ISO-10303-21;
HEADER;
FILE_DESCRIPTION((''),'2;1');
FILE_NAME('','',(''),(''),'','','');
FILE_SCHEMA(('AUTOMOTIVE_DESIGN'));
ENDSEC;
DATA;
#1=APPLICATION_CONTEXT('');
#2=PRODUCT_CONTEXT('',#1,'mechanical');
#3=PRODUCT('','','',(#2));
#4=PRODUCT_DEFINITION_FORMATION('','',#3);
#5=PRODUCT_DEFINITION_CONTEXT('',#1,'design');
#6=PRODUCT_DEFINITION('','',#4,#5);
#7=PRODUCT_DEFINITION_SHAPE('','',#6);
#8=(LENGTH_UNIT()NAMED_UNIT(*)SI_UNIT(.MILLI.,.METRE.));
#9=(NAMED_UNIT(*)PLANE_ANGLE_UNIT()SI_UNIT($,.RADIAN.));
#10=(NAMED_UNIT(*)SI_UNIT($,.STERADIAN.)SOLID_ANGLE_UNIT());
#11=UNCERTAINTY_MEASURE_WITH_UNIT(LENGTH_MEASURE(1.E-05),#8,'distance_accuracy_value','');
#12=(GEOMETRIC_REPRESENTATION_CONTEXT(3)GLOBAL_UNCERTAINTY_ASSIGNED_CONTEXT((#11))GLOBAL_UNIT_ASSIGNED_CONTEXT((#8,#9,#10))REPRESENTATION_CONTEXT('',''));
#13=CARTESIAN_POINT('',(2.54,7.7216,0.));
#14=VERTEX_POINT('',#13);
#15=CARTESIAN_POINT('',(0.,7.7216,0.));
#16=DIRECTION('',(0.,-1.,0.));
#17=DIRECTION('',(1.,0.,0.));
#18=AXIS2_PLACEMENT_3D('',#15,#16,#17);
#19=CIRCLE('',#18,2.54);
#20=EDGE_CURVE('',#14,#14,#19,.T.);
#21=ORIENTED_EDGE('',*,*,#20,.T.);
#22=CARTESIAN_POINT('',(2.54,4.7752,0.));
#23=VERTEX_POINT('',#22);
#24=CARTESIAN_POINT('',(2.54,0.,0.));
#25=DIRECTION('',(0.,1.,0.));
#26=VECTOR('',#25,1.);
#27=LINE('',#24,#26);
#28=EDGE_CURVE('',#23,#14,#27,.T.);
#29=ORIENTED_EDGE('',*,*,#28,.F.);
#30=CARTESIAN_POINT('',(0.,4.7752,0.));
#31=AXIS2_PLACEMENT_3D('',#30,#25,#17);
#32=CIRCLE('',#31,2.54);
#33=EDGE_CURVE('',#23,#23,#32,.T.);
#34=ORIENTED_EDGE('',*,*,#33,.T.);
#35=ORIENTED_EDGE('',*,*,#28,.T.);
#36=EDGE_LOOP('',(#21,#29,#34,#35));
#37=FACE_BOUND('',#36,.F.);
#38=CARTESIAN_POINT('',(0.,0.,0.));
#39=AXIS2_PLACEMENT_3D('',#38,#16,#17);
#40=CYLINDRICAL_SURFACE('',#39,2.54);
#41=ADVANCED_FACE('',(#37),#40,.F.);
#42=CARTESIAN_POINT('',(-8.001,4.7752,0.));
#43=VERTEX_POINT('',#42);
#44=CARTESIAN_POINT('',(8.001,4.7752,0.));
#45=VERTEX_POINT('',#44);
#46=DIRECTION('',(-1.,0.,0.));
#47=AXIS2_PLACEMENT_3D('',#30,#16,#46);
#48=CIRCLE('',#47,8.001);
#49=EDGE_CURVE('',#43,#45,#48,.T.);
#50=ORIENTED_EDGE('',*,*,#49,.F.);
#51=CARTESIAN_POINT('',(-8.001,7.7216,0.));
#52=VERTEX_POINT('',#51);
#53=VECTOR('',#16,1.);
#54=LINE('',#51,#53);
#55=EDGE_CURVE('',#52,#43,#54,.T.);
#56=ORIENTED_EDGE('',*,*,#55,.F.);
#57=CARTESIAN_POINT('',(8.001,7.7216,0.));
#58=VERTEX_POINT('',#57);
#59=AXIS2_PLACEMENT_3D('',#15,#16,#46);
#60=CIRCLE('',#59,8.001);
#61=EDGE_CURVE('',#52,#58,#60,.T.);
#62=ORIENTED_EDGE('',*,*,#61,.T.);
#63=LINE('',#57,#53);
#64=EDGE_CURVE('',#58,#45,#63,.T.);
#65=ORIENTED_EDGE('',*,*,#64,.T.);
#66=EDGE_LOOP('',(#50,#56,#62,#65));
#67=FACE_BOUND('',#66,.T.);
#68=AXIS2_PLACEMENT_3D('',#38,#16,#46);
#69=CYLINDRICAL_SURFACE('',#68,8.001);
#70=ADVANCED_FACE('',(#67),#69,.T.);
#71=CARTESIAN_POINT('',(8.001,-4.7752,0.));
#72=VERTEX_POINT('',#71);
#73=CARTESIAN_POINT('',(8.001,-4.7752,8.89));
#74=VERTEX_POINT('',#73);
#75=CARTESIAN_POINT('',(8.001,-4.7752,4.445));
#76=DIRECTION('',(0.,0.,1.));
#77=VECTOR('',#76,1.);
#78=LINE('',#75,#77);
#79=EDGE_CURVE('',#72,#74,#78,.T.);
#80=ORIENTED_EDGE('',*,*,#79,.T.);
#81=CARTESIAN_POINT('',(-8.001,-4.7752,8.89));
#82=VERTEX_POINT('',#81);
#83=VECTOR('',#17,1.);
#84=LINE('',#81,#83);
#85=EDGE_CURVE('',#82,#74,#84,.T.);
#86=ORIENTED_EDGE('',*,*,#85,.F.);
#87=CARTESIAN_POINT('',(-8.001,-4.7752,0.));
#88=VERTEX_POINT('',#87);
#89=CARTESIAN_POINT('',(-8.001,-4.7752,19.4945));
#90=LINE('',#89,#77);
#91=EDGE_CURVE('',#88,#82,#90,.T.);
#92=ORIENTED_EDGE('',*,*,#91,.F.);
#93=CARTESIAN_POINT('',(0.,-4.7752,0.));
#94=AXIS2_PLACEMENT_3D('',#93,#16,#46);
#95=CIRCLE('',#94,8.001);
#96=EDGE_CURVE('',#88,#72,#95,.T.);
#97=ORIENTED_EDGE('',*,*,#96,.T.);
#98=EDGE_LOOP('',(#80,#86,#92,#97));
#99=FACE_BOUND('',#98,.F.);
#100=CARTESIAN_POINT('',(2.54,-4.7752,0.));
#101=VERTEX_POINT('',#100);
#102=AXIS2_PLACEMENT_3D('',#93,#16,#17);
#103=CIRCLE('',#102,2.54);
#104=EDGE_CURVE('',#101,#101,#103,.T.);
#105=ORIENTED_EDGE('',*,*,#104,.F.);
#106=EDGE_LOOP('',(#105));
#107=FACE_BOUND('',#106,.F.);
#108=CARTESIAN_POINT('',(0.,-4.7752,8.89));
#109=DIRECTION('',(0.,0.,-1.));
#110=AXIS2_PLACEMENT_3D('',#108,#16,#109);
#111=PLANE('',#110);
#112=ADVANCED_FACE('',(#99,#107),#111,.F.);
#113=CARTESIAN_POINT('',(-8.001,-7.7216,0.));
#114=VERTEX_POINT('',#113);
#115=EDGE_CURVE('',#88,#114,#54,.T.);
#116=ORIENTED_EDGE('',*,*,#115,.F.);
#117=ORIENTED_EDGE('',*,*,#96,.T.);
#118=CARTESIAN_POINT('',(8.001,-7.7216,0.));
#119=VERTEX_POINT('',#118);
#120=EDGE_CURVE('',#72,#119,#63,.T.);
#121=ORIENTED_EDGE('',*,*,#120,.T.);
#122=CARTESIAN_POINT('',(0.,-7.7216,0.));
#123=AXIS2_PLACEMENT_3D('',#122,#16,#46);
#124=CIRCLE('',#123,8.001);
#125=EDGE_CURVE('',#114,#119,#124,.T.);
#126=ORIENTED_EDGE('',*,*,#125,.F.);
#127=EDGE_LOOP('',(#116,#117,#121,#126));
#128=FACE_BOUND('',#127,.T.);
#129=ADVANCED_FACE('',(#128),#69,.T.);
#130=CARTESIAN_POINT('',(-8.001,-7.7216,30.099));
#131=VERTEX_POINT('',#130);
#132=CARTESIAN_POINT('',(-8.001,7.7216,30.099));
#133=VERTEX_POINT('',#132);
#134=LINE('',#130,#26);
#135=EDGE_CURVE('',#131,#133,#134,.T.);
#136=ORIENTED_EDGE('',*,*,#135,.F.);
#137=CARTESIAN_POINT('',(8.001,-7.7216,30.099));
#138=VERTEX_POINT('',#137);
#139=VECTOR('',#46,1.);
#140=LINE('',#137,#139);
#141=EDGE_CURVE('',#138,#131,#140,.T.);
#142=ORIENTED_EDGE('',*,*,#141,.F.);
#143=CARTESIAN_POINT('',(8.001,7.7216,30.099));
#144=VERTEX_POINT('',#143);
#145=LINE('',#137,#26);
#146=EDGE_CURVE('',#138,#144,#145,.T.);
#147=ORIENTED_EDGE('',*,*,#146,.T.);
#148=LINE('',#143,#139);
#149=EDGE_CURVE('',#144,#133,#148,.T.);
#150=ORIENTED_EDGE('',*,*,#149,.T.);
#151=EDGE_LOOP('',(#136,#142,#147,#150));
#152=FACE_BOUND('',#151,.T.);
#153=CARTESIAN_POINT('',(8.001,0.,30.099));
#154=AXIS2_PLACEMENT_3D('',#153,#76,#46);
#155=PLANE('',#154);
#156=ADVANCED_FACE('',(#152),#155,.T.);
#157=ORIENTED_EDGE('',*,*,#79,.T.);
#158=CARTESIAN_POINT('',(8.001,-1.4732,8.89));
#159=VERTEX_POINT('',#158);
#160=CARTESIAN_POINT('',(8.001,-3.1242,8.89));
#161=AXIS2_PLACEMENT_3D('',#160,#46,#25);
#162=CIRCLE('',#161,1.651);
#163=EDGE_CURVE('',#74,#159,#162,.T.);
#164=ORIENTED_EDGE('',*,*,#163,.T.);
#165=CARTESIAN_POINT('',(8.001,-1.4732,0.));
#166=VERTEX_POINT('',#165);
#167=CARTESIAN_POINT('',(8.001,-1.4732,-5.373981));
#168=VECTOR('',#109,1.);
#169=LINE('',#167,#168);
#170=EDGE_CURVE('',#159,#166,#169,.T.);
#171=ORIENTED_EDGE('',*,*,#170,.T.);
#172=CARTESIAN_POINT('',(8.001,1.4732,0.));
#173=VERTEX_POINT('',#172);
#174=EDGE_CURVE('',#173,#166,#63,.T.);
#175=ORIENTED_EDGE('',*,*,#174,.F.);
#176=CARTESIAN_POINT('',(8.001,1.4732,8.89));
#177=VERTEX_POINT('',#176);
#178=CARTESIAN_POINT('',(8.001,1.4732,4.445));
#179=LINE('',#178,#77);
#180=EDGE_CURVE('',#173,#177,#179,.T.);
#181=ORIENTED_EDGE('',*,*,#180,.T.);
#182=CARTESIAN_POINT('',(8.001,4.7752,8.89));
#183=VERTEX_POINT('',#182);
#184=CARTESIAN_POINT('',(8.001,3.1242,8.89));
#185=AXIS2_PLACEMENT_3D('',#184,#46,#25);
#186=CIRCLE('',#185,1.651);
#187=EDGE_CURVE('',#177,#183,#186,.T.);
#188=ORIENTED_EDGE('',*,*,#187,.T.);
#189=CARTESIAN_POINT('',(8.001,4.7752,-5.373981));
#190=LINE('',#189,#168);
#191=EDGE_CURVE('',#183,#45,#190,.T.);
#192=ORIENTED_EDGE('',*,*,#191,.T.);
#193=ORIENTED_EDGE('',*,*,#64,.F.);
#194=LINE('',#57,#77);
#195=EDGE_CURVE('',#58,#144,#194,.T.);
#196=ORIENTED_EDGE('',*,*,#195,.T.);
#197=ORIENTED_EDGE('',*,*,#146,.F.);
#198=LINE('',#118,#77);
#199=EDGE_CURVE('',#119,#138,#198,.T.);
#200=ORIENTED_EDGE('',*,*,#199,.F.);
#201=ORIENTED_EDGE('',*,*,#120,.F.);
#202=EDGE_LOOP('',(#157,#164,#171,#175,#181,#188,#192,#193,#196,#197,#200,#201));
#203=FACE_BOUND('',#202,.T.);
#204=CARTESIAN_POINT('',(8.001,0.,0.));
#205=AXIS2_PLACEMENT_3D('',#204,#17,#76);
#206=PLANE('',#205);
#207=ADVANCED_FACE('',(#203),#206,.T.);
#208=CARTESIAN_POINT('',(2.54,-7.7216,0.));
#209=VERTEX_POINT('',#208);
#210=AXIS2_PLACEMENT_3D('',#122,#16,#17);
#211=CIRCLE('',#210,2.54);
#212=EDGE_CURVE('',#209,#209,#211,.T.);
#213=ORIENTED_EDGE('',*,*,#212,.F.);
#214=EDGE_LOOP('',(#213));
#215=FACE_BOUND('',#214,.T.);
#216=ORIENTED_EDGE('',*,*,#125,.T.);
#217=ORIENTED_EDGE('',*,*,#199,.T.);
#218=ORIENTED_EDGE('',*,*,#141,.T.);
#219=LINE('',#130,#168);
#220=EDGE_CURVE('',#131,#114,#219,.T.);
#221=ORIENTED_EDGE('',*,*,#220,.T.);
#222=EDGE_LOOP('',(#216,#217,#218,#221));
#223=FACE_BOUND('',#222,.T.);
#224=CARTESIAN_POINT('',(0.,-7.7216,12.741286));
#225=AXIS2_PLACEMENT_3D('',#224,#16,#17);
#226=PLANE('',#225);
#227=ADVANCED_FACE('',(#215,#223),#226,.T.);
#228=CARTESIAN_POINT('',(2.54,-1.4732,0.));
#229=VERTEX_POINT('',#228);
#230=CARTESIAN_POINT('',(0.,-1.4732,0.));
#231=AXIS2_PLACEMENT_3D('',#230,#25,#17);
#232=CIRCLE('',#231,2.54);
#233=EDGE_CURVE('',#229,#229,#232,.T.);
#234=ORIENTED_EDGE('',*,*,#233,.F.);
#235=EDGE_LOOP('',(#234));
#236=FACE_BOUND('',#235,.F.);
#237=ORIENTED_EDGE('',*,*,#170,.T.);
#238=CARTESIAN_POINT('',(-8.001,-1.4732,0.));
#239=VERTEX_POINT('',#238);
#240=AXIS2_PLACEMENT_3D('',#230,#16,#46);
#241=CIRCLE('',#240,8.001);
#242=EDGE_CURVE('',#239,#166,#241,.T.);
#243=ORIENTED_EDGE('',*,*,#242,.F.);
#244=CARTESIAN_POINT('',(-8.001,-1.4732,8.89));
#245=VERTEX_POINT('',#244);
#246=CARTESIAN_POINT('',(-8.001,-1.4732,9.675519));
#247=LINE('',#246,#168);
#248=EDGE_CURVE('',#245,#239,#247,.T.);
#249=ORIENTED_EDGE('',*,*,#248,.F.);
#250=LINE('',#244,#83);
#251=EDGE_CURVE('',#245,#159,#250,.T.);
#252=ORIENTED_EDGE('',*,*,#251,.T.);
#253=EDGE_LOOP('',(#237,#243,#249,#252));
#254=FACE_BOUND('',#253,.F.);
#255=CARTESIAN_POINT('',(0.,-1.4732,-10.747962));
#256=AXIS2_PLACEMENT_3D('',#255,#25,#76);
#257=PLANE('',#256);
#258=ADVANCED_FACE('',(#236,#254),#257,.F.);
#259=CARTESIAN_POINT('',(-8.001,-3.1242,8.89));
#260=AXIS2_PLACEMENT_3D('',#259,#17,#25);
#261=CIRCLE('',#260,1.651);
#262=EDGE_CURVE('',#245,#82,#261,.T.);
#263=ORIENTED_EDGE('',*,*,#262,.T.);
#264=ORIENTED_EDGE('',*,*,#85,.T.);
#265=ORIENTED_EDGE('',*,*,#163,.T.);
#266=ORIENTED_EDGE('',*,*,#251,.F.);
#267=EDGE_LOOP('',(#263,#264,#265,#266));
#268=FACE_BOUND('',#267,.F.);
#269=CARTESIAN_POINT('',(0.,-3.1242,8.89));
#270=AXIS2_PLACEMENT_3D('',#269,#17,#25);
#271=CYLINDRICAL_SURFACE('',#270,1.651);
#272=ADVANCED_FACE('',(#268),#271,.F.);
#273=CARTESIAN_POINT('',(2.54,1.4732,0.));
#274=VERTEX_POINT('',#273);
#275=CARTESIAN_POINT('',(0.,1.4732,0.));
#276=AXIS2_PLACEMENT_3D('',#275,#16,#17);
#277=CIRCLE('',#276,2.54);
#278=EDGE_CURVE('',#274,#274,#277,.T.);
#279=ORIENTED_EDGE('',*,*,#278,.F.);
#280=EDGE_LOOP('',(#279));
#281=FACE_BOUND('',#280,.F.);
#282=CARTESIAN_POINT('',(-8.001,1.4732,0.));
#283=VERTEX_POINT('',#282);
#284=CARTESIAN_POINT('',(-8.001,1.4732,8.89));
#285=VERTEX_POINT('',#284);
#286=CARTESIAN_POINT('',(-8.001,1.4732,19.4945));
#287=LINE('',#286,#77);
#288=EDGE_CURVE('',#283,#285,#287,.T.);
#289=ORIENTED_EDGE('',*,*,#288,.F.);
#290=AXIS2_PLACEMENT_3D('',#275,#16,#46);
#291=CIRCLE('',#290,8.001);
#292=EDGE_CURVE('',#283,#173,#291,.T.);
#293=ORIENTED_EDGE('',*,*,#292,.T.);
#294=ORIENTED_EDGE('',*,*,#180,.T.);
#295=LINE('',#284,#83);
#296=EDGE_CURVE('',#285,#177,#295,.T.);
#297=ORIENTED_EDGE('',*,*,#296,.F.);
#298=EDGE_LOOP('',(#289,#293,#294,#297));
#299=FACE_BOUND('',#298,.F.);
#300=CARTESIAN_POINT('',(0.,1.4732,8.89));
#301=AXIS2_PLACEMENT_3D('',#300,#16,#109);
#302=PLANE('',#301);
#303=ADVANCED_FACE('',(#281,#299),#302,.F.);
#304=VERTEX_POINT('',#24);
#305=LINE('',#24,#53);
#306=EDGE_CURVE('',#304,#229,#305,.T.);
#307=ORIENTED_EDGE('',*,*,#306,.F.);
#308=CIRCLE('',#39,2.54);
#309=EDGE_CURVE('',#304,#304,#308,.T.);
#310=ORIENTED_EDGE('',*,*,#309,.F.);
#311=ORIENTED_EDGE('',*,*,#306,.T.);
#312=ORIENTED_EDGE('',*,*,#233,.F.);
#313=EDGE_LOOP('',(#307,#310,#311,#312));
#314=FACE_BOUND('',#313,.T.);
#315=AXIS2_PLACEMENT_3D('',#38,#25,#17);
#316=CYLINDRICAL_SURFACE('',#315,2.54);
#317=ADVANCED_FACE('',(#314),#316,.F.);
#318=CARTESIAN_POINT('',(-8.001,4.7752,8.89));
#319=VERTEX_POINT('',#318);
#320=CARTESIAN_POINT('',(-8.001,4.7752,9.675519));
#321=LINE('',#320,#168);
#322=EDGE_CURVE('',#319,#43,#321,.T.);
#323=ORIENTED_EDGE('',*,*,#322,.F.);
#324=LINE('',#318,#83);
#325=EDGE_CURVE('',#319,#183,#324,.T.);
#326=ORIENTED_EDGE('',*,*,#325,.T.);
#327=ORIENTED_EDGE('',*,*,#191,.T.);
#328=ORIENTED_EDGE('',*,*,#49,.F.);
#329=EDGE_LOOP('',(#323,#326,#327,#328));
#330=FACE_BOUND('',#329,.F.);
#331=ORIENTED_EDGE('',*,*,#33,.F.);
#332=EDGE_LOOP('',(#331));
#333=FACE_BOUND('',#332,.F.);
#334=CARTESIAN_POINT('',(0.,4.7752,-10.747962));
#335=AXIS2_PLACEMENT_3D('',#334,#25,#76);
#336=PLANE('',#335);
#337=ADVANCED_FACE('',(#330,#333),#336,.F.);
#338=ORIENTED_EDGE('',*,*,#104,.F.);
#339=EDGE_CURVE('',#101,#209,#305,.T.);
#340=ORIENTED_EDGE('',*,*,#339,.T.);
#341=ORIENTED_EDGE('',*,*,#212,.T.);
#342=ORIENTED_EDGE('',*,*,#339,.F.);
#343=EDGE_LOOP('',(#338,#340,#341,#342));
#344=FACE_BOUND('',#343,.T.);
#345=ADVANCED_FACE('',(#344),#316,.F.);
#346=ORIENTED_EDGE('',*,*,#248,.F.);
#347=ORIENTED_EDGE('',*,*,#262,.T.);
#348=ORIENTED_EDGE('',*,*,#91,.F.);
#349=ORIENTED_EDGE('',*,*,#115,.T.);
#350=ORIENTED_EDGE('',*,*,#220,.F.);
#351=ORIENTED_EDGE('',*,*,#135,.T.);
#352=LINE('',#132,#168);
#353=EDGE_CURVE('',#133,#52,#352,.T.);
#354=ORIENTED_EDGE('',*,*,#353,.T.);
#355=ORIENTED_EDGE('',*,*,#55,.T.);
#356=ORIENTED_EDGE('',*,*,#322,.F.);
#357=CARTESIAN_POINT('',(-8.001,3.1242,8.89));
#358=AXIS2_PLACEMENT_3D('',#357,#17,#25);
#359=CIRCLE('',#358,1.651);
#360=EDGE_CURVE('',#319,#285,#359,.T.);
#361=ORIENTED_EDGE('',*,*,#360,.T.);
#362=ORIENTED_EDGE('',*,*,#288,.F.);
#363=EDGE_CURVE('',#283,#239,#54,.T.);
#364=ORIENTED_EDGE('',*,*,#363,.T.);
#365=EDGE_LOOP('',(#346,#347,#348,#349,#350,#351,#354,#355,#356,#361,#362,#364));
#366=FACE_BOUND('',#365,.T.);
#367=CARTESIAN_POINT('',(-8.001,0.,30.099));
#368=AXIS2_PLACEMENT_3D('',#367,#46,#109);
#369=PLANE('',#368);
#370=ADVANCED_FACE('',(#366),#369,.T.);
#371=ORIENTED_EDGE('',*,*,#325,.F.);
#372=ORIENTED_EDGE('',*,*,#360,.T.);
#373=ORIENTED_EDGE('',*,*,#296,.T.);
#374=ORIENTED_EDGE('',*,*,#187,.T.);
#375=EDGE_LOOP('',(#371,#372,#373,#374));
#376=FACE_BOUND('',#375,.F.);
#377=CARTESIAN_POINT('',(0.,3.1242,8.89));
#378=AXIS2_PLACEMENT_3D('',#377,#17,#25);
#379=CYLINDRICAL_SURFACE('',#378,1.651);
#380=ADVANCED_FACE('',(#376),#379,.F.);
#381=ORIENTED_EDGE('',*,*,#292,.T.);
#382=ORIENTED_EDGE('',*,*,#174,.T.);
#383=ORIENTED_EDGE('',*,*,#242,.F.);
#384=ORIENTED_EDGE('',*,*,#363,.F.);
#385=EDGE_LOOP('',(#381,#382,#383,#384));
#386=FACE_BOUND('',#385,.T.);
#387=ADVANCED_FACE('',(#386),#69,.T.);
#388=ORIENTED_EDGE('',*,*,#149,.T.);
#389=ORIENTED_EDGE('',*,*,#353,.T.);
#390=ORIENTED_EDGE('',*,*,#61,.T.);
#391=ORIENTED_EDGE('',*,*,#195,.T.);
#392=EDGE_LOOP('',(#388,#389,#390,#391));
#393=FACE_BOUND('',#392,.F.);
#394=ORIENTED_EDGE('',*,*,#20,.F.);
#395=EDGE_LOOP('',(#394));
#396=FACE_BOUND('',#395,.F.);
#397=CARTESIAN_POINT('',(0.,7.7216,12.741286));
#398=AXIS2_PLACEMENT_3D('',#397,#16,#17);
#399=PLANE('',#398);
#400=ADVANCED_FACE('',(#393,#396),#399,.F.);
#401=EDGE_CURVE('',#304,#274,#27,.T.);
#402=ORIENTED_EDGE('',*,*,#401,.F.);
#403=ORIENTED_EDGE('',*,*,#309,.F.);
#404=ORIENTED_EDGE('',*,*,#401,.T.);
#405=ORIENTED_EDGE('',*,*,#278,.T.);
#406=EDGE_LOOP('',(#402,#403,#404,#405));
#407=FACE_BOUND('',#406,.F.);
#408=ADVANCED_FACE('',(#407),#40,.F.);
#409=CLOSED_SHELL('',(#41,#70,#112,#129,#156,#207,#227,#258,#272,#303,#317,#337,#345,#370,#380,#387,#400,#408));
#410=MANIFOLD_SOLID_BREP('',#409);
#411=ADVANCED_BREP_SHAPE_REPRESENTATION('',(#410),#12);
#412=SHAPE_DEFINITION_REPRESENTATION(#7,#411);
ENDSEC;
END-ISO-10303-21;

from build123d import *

# Parameters (mm, degrees)
F0_R          = 2.54
F1_DEPTH      = 7.7216
F1_DEPTH_BACK = 7.7216
F3_DEPTH      = 8.002
F3_DEPTH_BACK = 8.002


with BuildPart() as f1:
    # F0 (on Front) → F1 (new body, two sides)
    with BuildSketch(Plane.XZ) as f1_sk:
        with BuildLine():
            Line((-8.001, 30.099), (-8.001, 0))
            ThreePointArc((-8.001, 0), (0, -8.001), (8.001, 0))
            Line((8.001, 0), (8.001, 30.099))
            Line((8.001, 30.099), (-8.001, 30.099))
        make_face()
        Circle(F0_R, mode=Mode.SUBTRACT)
    extrude(amount=F1_DEPTH)
    extrude(f1_sk.sketch, amount=-F1_DEPTH_BACK)

    # F2 (on Right) → F3 (cut, two sides)
    with BuildSketch(Plane.YZ) as f3_sk:
        with BuildLine():
            Line((1.4732, 8.89), (1.4732, -10.7479624593))
            Line((1.4732, -10.7479624593), (4.7752, -10.7479624593))
            Line((4.7752, -10.7479624593), (4.7752, 8.89))
            ThreePointArc((4.7752, 8.89), (3.1242, 10.541), (1.4732, 8.89))
        make_face()
        with BuildLine():
            Line((-4.7752, 8.89), (-4.7752, -10.7479624593))
            Line((-4.7752, -10.7479624593), (-1.4732, -10.7479624593))
            Line((-1.4732, -10.7479624593), (-1.4732, 8.89))
            ThreePointArc((-1.4732, 8.89), (-3.1242, 10.541), (-4.7752, 8.89))
        make_face()
    extrude(amount=-F3_DEPTH, mode=Mode.SUBTRACT)
    extrude(f3_sk.sketch, amount=F3_DEPTH_BACK, mode=Mode.SUBTRACT)


solid = f1.part
